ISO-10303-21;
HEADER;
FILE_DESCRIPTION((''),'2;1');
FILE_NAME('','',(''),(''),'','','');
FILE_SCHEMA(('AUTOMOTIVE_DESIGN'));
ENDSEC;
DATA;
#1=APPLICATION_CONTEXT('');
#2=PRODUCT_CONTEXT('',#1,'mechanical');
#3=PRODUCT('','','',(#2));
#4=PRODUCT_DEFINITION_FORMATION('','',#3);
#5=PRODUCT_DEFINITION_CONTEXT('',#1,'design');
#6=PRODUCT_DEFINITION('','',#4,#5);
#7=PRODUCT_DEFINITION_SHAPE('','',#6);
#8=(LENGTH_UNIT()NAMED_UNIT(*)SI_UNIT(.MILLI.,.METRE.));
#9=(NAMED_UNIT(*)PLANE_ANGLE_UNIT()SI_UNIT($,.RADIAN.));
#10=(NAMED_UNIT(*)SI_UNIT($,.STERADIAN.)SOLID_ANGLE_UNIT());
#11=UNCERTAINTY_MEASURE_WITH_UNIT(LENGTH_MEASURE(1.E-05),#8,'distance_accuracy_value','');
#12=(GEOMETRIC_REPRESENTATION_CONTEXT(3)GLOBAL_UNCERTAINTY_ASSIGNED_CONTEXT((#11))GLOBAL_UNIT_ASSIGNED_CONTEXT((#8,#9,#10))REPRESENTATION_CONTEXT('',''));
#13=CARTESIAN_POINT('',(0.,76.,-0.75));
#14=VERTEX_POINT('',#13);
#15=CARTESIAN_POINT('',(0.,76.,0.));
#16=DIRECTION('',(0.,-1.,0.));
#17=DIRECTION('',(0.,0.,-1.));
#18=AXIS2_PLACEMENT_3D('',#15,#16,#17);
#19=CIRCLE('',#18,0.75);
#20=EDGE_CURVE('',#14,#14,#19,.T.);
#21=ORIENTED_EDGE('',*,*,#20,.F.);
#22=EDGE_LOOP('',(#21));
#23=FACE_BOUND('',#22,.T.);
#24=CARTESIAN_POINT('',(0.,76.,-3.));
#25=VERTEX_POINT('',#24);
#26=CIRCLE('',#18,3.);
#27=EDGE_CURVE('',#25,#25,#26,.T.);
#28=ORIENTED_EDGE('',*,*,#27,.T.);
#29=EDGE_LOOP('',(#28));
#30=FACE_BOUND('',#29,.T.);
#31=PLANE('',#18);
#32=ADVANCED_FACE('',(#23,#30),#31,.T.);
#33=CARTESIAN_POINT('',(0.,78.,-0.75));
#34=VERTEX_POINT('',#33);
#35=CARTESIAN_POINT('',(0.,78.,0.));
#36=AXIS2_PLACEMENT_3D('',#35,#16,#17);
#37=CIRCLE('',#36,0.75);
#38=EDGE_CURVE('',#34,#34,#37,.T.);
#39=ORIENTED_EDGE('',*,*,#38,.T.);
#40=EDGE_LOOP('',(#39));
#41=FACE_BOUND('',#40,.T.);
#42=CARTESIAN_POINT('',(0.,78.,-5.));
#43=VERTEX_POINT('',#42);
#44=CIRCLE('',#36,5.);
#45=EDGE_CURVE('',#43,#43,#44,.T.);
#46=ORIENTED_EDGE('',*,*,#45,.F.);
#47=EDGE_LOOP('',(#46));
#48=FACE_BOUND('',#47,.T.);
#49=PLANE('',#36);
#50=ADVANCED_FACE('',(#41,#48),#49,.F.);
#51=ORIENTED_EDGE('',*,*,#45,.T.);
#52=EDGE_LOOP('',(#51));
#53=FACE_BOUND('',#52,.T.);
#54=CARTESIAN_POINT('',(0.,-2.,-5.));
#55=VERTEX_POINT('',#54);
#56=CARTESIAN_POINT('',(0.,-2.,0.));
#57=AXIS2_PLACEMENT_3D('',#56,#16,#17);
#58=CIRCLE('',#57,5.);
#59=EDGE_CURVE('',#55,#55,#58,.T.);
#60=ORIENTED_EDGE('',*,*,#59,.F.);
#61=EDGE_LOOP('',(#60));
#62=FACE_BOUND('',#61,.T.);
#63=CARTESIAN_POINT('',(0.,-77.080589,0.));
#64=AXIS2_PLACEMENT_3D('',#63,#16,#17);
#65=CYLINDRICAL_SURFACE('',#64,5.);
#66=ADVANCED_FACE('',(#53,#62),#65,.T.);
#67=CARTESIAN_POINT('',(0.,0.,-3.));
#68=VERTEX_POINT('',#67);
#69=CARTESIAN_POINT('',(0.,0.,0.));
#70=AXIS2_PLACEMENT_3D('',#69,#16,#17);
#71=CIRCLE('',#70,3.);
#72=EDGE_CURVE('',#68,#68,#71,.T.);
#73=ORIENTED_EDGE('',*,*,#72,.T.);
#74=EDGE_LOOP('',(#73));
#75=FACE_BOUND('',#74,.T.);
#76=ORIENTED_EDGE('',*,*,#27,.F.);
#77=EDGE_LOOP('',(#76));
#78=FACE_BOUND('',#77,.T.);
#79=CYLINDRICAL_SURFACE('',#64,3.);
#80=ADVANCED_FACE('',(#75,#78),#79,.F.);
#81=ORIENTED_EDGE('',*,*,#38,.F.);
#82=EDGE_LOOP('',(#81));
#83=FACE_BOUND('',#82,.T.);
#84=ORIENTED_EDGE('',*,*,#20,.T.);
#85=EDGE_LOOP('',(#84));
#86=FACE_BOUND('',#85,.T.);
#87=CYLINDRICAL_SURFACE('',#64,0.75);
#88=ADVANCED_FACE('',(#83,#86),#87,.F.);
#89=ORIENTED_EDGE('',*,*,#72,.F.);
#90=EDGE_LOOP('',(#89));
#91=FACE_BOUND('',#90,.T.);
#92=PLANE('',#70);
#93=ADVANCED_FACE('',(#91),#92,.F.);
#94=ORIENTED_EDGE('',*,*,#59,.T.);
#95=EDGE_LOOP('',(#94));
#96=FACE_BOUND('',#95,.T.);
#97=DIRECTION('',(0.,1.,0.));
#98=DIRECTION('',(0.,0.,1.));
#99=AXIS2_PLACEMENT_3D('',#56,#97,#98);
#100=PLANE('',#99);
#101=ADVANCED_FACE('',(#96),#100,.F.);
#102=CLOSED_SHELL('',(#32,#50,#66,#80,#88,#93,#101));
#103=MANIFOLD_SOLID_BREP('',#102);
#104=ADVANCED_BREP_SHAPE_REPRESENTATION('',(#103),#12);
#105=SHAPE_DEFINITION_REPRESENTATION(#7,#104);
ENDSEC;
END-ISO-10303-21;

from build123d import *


with BuildPart() as part:
    # Sketch1 → Revolve1 (revolve)
    with BuildSketch(Plane.XY, mode=Mode.PRIVATE) as revolve1_sk:
        Polygon((0, 0), (3, 0), (3, 76), (0.75, 76), (0.75, 78), (3.60271381, 78), (5, 78), (5, -2), (0, -2), align=None)
    revolve(revolve1_sk.sketch.rotate(Axis((0, -77.080589312, 0), (0, 1, 0)), 90), axis=Axis((0, -77.080589312, 0), (0, 1, 0)))


solid = part.part
